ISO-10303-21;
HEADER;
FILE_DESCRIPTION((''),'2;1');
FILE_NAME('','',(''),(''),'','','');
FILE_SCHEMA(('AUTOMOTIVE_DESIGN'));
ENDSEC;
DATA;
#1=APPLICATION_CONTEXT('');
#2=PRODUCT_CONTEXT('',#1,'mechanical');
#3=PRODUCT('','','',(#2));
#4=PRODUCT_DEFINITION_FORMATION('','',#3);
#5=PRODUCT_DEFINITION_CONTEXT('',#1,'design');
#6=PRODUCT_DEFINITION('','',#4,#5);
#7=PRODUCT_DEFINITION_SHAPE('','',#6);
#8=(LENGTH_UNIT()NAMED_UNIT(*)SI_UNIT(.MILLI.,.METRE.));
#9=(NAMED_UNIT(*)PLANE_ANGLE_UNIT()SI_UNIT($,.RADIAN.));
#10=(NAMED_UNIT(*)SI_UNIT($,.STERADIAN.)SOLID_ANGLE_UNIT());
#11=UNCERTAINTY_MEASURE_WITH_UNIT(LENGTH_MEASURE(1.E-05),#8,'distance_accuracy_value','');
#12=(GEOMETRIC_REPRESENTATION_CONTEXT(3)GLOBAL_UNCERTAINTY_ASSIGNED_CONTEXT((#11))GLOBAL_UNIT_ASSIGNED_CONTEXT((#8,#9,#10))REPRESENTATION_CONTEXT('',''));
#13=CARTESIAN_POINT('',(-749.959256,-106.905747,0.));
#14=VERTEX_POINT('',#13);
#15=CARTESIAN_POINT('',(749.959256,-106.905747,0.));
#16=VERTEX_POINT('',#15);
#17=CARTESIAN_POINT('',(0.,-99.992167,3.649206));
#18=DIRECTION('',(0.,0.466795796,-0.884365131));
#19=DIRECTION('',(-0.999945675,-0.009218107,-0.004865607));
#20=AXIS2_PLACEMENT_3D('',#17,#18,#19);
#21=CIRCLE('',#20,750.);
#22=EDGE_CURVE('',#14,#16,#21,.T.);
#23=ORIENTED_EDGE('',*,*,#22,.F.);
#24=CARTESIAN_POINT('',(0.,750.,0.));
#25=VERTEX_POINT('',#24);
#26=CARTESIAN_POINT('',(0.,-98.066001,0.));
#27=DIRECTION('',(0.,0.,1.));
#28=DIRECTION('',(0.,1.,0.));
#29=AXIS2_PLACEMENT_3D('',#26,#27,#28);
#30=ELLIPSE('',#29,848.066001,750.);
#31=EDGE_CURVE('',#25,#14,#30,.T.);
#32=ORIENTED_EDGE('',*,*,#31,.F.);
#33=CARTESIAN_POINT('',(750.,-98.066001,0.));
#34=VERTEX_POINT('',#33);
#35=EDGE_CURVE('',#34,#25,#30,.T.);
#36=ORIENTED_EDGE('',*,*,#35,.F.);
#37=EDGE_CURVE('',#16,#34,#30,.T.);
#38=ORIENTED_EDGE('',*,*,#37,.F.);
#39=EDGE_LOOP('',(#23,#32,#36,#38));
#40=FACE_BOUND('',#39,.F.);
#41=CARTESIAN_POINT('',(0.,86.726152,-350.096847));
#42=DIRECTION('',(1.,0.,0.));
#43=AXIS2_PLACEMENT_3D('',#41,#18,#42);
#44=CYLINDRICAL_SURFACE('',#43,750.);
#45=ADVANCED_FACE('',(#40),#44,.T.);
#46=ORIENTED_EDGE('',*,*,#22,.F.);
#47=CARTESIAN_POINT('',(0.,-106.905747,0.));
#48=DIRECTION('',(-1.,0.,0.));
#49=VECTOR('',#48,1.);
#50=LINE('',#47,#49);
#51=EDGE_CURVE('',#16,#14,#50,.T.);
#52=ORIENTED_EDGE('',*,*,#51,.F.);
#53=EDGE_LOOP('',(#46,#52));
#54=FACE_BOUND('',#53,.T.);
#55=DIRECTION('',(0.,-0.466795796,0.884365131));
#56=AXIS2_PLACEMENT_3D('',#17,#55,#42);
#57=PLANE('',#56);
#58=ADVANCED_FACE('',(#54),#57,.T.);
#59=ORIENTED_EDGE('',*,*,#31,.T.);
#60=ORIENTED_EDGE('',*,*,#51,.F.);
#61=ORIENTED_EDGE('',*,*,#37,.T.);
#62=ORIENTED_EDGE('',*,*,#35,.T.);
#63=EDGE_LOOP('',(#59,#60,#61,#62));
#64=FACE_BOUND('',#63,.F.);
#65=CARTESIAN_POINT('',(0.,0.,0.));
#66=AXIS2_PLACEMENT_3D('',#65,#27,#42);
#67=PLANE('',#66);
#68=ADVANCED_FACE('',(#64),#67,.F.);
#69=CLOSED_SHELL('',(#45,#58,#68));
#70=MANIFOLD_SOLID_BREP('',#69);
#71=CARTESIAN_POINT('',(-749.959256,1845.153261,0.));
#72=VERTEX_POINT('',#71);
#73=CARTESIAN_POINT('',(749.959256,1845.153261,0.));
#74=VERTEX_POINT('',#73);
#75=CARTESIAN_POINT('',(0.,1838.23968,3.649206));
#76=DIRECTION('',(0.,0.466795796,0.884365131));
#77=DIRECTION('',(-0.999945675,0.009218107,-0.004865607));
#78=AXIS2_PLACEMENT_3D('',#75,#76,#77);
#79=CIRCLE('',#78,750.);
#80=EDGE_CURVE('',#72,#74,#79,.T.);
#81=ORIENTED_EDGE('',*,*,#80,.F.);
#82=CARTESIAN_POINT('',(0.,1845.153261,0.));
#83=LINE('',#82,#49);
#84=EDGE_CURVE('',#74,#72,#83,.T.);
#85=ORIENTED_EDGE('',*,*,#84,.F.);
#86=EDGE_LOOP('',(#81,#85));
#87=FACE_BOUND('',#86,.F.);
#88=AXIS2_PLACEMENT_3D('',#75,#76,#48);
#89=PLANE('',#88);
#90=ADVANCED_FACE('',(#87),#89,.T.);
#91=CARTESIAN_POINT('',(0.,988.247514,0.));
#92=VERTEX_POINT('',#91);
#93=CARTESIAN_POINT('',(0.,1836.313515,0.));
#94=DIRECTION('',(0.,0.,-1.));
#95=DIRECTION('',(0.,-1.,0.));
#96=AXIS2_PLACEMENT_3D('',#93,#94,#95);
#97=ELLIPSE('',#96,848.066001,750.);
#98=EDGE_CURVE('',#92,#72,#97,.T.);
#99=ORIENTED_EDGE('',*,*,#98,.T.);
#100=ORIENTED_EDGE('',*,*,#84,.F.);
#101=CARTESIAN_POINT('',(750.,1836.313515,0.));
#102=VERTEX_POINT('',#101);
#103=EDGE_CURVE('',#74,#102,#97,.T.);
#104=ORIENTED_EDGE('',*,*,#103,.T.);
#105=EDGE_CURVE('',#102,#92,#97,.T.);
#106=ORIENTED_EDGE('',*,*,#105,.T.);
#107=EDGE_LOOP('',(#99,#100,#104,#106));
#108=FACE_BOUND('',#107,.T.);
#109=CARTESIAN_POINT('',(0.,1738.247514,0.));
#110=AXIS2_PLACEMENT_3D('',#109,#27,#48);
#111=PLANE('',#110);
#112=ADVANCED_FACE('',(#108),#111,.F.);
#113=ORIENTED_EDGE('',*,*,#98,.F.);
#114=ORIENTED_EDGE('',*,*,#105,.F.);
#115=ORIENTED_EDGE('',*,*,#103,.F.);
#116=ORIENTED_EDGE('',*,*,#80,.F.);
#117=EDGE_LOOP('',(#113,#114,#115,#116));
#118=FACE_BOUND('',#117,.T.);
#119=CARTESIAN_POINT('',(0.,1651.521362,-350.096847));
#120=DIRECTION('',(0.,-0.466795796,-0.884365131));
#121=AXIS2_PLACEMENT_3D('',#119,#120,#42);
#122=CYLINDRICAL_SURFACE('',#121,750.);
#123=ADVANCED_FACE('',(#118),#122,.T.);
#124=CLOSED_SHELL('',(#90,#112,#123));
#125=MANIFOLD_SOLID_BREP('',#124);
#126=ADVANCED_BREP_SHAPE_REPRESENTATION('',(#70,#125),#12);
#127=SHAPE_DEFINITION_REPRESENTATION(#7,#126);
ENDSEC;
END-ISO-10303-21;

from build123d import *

# Parameters (mm, degrees)
F0_R     = 750
F1_DEPTH = 400
F2_ANGLE = -27.8265049099
F0_W     = 1825.8036160891
F0_H     = 1738.2475137711
F3_DEPTH = 1100


with BuildPart() as f1:
    # F0 (on Top) → F1 (new body)
    with BuildSketch(Plane.XY):
        Circle(F0_R)
    extrude(amount=F1_DEPTH)


with BuildPart() as f1_1:
    # F2: moved
    add(f1.part.rotate(Axis((-40.2899682522, 750, 0), (-1, 0, 0)), F2_ANGLE))

    # F0 (on Top) → F3 (cut)
    with BuildSketch(Plane.XY):
        Rectangle(F0_W, F0_H)
        Circle(F0_R, mode=Mode.SUBTRACT)
        Circle(F0_R)
    extrude(amount=-F3_DEPTH, mode=Mode.SUBTRACT)


with BuildPart() as f5_1:
    # F5: instance of F1
    add(f1_1.part.mirror(Plane.XZ.offset(-869.1237568855)))


solid = Compound([f1_1.part, f5_1.part])
